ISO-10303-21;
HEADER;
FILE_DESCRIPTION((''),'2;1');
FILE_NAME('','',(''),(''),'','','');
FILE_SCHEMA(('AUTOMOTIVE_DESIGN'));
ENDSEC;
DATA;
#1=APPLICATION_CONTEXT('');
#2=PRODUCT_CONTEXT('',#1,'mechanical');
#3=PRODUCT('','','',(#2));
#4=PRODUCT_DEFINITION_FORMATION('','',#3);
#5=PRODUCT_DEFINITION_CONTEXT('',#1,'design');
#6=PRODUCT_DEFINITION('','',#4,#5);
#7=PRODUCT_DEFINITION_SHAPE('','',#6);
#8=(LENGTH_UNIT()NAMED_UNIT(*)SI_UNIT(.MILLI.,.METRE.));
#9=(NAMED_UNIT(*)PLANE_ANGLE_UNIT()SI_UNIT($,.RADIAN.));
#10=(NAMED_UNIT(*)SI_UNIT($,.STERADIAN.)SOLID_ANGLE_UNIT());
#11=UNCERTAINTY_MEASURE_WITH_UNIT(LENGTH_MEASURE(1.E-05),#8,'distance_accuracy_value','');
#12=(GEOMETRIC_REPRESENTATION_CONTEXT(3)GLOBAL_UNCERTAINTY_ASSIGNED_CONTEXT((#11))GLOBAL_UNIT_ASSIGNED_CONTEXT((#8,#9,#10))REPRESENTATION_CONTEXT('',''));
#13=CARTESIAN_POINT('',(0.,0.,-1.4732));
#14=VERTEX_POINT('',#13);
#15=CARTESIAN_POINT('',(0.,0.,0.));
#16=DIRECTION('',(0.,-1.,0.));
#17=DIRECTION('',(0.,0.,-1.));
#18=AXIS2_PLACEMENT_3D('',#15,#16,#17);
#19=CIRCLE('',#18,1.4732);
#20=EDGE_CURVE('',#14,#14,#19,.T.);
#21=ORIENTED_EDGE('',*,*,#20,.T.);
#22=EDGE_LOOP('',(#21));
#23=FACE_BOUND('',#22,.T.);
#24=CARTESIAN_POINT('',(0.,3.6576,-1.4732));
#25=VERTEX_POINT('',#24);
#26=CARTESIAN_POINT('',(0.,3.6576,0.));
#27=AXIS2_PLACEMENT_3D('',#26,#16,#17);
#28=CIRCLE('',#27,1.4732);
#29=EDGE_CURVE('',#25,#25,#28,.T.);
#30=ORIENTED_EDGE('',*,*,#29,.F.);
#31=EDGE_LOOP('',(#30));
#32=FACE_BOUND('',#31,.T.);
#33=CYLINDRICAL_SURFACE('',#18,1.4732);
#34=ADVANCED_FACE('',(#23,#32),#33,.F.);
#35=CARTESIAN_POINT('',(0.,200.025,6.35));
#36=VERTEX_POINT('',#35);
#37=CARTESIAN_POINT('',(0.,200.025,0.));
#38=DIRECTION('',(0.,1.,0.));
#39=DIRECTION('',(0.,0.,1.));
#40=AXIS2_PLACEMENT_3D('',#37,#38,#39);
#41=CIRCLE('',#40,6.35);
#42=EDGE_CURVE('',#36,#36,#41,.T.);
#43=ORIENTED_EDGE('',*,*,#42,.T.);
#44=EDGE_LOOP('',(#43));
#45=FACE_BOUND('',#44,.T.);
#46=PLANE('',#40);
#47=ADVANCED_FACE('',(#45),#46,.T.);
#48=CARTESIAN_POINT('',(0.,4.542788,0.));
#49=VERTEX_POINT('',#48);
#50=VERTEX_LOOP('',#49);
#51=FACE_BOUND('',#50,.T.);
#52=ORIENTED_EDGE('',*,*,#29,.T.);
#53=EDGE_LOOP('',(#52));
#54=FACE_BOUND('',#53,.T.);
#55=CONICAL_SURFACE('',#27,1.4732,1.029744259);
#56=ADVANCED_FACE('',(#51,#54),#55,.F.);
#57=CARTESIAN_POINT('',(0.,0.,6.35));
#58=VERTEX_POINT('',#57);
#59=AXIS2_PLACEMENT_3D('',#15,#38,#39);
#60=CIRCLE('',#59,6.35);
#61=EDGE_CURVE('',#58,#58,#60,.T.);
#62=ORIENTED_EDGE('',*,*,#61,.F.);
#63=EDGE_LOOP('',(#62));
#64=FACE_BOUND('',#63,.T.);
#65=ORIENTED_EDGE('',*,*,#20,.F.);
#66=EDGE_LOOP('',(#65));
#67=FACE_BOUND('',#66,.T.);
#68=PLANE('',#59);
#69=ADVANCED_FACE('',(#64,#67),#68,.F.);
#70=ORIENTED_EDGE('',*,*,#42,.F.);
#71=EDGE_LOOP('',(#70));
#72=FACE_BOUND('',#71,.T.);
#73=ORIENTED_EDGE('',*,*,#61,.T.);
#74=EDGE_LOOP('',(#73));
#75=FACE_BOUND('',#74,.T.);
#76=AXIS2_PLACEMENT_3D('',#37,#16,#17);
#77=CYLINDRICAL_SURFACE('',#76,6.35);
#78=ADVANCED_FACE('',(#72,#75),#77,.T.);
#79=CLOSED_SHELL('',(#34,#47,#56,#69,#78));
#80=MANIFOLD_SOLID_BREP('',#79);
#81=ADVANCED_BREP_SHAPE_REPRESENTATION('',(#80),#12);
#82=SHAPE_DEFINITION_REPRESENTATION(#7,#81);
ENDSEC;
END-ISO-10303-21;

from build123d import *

# Parameters (mm, degrees)
SKETCH1_R                       = 6.35
BOSS_EXTRUDE1_DEPTH             = 200.025
F_32_0_116_DIAMETER_HOLE2_D     = 2.9464
F_32_0_116_DIAMETER_HOLE2_DEPTH = 3.6576
F_32_0_116_DIAMETER_HOLE2_TIP   = 0.885187864


with BuildPart() as part:
    # Sketch1 → Boss-Extrude1 (new body)
    with BuildSketch(Plane(origin=(0, 0, 0), x_dir=(1, 0, 0), z_dir=(0, 1, 0))):
        Circle(SKETCH1_R)
    extrude(amount=BOSS_EXTRUDE1_DEPTH)

    # #32 (0.116) Diameter Hole2
    with Locations(Plane(origin=(0, 0, 0), x_dir=(-1, 0, 0), z_dir=(0, -1, 0))):
        with Locations((0, 0)):
            Hole(F_32_0_116_DIAMETER_HOLE2_D / 2, depth=F_32_0_116_DIAMETER_HOLE2_DEPTH)
            with Locations((0, 0, -(F_32_0_116_DIAMETER_HOLE2_DEPTH + F_32_0_116_DIAMETER_HOLE2_TIP / 2))):  # 118° drill point
                Cone(0, F_32_0_116_DIAMETER_HOLE2_D / 2, F_32_0_116_DIAMETER_HOLE2_TIP, mode=Mode.SUBTRACT)


solid = part.part
